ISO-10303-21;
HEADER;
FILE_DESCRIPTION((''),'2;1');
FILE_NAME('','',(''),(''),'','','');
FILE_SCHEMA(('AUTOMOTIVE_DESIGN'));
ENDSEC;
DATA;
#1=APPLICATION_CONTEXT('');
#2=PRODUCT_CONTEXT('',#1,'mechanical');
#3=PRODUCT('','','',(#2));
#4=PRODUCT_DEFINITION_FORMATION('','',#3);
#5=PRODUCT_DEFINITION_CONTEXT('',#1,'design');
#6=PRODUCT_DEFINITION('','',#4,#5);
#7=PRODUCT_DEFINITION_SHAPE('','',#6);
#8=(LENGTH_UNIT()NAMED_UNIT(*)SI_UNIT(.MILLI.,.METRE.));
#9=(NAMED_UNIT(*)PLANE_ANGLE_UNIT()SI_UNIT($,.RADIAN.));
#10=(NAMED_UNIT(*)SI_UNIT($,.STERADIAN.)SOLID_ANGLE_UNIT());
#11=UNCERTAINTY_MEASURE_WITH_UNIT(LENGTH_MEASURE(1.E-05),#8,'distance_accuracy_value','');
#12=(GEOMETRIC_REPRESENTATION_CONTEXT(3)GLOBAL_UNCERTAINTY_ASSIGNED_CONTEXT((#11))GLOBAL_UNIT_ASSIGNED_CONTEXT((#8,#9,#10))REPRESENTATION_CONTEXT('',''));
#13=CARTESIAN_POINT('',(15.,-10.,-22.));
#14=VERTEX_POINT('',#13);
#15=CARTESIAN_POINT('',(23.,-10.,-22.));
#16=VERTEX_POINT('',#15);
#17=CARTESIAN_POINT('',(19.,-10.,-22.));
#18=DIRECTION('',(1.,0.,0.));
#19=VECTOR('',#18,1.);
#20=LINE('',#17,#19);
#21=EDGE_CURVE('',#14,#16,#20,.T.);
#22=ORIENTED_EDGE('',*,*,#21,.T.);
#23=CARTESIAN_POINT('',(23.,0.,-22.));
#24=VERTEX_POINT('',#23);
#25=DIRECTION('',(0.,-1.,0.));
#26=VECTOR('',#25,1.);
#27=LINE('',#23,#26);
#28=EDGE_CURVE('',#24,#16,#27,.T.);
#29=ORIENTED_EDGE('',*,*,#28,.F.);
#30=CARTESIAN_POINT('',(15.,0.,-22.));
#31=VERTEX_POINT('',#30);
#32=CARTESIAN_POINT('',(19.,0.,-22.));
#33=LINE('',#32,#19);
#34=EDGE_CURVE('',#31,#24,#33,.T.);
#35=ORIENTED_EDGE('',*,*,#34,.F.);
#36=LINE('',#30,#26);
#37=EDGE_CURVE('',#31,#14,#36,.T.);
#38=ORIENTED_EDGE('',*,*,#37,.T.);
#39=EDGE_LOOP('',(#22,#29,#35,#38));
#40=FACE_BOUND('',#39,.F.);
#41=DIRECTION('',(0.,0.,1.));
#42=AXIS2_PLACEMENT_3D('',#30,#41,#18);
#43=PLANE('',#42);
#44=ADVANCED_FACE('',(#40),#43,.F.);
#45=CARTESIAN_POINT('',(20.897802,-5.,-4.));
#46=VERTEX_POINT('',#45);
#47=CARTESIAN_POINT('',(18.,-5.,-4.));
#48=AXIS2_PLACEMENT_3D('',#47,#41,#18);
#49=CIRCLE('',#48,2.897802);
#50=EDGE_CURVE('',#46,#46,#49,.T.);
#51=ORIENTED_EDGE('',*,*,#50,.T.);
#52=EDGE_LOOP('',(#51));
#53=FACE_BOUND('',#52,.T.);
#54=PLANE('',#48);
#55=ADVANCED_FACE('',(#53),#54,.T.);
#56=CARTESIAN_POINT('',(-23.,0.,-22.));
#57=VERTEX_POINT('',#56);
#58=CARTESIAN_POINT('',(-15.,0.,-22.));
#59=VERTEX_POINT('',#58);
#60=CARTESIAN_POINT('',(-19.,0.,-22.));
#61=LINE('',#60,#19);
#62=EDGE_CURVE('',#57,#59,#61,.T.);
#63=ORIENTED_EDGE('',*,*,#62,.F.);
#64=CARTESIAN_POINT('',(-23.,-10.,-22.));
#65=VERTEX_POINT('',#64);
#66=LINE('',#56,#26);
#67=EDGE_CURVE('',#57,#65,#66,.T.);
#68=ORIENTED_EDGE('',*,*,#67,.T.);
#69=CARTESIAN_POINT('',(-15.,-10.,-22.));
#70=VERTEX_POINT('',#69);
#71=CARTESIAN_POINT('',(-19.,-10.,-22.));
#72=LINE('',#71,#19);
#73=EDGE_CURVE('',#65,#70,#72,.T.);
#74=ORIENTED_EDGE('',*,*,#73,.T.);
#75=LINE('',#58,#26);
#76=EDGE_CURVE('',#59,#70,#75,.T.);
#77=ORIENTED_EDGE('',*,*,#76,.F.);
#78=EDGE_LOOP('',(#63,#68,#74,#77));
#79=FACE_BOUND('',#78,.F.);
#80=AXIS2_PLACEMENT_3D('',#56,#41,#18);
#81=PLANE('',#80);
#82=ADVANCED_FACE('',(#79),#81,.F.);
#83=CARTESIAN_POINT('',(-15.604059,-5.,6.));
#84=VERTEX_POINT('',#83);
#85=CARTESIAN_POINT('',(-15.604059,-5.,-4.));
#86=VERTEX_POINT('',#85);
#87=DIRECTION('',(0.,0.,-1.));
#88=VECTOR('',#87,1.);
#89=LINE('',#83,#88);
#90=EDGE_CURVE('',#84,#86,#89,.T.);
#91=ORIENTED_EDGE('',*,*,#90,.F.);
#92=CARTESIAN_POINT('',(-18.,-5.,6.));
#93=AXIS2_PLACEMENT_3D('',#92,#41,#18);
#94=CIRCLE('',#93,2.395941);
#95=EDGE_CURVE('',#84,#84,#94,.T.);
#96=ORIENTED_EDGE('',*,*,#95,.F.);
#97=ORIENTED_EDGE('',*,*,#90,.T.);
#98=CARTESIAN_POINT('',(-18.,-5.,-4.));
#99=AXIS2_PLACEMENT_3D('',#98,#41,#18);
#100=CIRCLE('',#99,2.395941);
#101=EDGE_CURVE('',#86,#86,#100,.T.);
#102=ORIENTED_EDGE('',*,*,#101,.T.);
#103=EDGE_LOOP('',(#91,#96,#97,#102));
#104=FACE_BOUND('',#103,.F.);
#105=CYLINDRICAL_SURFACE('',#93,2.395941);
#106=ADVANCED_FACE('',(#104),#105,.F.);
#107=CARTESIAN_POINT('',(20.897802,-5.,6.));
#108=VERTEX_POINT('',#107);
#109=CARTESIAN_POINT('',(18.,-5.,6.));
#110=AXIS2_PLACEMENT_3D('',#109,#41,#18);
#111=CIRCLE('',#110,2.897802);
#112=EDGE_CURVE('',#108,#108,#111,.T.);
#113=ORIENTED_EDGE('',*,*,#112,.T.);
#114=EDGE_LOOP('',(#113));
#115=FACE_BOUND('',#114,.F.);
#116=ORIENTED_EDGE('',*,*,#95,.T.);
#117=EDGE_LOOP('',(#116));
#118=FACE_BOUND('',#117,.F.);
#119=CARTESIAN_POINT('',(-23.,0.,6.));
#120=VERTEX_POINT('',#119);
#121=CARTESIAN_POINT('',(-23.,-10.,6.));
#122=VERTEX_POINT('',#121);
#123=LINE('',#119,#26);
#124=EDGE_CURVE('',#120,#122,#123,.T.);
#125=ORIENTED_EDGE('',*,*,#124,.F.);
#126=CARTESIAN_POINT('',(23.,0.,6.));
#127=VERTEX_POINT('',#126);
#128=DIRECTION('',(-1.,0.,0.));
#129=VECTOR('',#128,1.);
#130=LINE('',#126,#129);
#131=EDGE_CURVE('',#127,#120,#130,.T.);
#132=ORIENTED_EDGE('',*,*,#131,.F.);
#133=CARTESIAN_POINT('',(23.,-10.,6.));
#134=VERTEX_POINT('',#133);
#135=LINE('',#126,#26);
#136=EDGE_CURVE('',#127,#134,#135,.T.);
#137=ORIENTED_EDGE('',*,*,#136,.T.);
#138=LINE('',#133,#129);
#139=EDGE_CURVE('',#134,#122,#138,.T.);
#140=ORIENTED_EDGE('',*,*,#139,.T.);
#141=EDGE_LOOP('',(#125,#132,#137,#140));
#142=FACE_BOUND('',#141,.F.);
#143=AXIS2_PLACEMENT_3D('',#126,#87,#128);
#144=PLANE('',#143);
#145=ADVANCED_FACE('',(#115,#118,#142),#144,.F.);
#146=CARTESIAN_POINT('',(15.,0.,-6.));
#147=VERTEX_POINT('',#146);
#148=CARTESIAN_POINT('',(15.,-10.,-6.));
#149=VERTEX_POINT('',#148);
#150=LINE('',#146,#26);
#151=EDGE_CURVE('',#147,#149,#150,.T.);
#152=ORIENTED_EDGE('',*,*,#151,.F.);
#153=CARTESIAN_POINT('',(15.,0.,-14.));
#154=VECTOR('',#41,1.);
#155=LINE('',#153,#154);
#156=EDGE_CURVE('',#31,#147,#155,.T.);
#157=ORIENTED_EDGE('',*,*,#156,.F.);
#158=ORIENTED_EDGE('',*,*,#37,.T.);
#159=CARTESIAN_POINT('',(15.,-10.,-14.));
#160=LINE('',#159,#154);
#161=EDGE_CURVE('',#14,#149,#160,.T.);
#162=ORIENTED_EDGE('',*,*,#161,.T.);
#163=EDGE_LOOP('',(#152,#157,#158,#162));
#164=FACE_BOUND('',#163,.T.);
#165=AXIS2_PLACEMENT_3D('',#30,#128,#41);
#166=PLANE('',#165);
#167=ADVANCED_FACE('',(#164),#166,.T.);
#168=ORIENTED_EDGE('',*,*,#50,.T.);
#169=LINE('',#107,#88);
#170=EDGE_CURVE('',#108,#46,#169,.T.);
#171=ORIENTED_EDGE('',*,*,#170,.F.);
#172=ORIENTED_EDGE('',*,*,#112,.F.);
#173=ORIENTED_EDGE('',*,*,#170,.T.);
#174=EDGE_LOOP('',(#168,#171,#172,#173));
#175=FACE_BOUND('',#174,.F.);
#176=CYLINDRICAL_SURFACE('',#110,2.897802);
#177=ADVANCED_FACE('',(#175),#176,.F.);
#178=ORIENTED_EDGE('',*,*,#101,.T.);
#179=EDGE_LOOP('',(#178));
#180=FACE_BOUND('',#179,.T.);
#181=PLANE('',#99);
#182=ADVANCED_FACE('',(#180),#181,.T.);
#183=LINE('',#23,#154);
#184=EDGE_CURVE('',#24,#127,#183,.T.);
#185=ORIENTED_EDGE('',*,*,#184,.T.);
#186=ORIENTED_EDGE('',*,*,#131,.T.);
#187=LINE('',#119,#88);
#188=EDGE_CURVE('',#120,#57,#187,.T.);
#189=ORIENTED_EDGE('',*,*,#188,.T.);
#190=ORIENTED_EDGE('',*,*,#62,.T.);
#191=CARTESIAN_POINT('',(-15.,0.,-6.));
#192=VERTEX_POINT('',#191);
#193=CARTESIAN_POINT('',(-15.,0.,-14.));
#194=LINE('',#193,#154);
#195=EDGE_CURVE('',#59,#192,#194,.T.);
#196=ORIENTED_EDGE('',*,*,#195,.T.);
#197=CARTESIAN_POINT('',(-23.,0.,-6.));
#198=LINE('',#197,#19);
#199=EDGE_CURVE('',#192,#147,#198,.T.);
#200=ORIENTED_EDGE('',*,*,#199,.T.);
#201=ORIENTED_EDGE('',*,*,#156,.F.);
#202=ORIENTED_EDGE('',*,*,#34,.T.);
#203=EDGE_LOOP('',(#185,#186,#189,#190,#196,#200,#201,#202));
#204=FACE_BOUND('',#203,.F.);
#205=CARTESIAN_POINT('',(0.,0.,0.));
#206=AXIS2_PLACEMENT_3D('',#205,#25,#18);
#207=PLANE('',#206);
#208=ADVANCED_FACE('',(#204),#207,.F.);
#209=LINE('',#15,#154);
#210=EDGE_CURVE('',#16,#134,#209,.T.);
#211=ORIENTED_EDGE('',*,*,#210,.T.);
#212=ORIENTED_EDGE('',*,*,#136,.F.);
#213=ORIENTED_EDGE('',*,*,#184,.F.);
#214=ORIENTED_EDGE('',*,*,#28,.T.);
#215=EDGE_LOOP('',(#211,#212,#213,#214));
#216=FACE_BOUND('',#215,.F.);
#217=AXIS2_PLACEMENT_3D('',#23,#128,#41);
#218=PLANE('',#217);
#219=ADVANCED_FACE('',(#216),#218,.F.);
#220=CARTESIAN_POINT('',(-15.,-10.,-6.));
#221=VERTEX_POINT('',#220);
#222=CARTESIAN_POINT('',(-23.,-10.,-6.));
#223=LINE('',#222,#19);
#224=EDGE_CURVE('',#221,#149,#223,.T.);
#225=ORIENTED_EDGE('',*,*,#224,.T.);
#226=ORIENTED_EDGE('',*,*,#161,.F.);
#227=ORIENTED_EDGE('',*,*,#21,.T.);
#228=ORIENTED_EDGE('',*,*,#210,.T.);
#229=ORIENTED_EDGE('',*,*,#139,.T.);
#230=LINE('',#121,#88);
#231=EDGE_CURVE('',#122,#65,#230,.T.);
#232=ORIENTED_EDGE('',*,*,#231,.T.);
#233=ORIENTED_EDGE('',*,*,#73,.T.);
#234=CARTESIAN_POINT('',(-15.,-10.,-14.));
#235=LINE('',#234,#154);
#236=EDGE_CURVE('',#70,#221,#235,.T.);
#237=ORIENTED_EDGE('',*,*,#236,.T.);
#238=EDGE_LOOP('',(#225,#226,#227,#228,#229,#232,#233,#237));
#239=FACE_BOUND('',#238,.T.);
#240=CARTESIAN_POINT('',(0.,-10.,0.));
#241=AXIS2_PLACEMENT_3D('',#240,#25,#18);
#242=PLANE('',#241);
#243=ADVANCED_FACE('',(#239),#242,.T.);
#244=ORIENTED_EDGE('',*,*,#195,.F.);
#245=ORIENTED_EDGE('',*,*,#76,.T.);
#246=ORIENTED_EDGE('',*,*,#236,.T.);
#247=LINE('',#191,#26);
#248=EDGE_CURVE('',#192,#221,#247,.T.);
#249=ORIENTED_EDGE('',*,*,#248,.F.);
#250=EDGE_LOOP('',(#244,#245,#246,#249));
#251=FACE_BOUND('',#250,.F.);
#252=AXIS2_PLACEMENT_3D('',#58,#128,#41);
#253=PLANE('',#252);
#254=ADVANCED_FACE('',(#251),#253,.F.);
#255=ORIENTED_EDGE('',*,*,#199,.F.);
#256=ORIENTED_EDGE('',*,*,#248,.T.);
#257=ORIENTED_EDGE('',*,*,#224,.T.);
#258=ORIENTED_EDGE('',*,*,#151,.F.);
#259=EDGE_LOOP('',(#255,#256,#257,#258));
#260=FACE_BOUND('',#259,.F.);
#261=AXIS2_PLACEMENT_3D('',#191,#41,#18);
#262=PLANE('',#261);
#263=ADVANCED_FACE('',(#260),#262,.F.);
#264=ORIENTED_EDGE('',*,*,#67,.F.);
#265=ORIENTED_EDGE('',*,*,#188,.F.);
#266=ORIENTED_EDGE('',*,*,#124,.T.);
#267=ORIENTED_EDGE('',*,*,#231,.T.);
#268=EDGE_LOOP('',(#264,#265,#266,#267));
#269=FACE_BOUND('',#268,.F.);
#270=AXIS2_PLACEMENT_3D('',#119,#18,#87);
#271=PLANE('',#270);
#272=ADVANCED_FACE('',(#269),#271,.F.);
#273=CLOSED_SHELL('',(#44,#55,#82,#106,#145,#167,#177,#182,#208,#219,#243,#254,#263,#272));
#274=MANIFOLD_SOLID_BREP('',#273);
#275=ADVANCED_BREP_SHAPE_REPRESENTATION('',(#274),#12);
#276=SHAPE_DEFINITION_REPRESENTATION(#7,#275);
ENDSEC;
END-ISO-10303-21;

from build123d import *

# Parameters (mm, degrees)
F0_W     = 8
F0_H     = 16
F1_DEPTH = 10
F2_R     = 2.395941
F2_R_2   = 2.897802
F3_DEPTH = 10


with BuildPart() as f1:
    # F0 (on Front) → F1 (new body)
    with BuildSketch(Plane.XZ):
        Polygon((23, 6), (-23, 6), (-23, -6), (-15, -6), (15, -6), (23, -6), align=None)
        with Locations((-19, -14)):
            Rectangle(F0_W, F0_H)
        with Locations((19, -14)):
            Rectangle(F0_W, F0_H)
    extrude(amount=F1_DEPTH)

    # F2 (on face) → F3 (cut)
    with BuildSketch(Plane.XY.offset(6)):
        with Locations((-18, -5)):
            Circle(F2_R)
        with Locations((18, -5)):
            Circle(F2_R_2)
    extrude(amount=-F3_DEPTH, mode=Mode.SUBTRACT)


solid = f1.part
